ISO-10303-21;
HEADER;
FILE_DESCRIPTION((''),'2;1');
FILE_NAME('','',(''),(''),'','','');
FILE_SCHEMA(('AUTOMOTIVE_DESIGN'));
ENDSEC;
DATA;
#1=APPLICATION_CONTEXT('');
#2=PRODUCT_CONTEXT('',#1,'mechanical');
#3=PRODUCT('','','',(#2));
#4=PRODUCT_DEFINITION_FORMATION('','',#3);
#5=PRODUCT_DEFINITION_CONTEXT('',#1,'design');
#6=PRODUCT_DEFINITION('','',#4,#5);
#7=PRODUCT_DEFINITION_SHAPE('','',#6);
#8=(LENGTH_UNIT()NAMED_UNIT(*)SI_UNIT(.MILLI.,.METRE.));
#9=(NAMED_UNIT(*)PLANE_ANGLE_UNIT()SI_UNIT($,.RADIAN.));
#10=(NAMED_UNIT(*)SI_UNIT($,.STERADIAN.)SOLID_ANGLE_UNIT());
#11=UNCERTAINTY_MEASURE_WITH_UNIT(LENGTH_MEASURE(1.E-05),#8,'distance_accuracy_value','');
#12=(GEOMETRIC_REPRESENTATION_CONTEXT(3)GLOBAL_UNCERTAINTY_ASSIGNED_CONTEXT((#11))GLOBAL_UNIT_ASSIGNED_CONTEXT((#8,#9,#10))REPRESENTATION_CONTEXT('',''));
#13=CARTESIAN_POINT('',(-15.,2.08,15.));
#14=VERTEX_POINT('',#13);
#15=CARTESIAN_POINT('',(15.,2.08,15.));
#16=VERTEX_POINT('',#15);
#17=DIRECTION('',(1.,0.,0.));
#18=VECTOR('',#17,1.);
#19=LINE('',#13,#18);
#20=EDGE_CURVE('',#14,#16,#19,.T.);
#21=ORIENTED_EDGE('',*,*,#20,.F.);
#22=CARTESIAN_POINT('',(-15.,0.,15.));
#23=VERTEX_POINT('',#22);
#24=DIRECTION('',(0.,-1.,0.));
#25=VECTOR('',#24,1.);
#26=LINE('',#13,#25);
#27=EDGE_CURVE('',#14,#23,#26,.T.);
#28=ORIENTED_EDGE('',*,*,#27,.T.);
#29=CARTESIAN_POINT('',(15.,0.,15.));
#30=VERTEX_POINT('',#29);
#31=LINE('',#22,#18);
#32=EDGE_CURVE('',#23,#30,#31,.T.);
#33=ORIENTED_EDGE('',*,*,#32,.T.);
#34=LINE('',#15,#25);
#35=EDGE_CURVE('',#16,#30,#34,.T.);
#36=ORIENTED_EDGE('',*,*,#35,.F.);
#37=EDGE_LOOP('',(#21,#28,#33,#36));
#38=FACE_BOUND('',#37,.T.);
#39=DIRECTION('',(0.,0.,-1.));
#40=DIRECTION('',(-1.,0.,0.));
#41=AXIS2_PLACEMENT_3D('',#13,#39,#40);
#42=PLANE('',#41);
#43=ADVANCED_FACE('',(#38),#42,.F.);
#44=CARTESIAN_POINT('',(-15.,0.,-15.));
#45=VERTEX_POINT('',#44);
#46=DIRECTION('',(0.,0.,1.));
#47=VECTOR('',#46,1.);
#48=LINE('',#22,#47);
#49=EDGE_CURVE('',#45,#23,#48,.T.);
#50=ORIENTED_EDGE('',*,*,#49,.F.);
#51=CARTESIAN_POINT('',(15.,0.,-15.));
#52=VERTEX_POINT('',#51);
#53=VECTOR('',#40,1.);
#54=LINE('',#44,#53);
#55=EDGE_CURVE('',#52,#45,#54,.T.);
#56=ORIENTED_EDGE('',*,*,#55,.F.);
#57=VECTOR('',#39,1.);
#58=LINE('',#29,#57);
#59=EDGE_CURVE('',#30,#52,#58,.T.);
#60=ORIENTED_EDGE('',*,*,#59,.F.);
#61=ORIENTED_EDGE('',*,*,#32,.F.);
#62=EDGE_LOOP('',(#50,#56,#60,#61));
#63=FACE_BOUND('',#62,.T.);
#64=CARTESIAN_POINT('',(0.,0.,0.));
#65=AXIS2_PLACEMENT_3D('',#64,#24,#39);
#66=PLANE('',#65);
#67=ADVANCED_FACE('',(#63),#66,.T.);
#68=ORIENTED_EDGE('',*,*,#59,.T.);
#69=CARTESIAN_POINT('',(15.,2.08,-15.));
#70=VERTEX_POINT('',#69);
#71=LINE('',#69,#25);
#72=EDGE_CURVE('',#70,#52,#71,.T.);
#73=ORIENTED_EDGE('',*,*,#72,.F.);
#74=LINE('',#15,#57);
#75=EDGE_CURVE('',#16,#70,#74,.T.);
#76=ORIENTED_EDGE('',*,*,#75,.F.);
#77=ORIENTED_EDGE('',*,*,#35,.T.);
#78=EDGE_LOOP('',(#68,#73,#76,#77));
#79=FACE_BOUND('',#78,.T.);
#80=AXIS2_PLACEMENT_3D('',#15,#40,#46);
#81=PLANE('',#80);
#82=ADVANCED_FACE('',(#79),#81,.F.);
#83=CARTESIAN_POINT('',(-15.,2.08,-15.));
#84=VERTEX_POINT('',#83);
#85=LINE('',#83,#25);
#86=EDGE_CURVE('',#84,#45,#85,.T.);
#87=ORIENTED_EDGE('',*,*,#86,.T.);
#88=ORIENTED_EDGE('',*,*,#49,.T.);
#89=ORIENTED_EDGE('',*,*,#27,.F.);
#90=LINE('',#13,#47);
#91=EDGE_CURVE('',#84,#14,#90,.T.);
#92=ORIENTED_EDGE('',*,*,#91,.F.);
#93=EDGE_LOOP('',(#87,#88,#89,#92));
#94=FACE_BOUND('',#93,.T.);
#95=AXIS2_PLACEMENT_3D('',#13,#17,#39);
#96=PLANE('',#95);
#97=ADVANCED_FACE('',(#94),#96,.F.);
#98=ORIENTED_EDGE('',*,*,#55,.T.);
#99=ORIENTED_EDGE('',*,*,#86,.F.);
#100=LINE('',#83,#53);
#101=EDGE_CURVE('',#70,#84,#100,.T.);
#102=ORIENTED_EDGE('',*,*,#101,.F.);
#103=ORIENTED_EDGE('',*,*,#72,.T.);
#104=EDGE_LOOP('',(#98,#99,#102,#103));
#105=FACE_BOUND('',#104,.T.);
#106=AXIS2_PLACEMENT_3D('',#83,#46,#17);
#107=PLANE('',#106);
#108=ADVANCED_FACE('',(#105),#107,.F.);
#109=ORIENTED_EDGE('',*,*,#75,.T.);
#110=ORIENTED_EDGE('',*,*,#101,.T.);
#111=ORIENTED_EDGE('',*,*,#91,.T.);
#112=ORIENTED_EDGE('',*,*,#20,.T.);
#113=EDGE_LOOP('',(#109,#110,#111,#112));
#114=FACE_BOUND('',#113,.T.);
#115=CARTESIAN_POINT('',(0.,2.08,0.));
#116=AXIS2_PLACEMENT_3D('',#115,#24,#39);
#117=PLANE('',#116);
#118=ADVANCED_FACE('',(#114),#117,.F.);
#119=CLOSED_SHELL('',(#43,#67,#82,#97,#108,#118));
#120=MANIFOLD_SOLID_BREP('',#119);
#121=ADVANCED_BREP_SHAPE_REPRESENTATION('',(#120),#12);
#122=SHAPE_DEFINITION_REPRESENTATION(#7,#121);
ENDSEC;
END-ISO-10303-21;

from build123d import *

# Parameters (mm, degrees)
SKETCH_1_W      = 30
SKETCH_1_H      = 30
EXTRUDE_1_DEPTH = 2.08


with BuildPart() as part:
    # 草图1 → 凸台-拉伸1 (new body)
    with BuildSketch(Plane(origin=(0, 0, 0), x_dir=(1, 0, 0), z_dir=(0, 1, 0))):
        Rectangle(SKETCH_1_W, SKETCH_1_H)
    extrude(amount=EXTRUDE_1_DEPTH)


solid = part.part
